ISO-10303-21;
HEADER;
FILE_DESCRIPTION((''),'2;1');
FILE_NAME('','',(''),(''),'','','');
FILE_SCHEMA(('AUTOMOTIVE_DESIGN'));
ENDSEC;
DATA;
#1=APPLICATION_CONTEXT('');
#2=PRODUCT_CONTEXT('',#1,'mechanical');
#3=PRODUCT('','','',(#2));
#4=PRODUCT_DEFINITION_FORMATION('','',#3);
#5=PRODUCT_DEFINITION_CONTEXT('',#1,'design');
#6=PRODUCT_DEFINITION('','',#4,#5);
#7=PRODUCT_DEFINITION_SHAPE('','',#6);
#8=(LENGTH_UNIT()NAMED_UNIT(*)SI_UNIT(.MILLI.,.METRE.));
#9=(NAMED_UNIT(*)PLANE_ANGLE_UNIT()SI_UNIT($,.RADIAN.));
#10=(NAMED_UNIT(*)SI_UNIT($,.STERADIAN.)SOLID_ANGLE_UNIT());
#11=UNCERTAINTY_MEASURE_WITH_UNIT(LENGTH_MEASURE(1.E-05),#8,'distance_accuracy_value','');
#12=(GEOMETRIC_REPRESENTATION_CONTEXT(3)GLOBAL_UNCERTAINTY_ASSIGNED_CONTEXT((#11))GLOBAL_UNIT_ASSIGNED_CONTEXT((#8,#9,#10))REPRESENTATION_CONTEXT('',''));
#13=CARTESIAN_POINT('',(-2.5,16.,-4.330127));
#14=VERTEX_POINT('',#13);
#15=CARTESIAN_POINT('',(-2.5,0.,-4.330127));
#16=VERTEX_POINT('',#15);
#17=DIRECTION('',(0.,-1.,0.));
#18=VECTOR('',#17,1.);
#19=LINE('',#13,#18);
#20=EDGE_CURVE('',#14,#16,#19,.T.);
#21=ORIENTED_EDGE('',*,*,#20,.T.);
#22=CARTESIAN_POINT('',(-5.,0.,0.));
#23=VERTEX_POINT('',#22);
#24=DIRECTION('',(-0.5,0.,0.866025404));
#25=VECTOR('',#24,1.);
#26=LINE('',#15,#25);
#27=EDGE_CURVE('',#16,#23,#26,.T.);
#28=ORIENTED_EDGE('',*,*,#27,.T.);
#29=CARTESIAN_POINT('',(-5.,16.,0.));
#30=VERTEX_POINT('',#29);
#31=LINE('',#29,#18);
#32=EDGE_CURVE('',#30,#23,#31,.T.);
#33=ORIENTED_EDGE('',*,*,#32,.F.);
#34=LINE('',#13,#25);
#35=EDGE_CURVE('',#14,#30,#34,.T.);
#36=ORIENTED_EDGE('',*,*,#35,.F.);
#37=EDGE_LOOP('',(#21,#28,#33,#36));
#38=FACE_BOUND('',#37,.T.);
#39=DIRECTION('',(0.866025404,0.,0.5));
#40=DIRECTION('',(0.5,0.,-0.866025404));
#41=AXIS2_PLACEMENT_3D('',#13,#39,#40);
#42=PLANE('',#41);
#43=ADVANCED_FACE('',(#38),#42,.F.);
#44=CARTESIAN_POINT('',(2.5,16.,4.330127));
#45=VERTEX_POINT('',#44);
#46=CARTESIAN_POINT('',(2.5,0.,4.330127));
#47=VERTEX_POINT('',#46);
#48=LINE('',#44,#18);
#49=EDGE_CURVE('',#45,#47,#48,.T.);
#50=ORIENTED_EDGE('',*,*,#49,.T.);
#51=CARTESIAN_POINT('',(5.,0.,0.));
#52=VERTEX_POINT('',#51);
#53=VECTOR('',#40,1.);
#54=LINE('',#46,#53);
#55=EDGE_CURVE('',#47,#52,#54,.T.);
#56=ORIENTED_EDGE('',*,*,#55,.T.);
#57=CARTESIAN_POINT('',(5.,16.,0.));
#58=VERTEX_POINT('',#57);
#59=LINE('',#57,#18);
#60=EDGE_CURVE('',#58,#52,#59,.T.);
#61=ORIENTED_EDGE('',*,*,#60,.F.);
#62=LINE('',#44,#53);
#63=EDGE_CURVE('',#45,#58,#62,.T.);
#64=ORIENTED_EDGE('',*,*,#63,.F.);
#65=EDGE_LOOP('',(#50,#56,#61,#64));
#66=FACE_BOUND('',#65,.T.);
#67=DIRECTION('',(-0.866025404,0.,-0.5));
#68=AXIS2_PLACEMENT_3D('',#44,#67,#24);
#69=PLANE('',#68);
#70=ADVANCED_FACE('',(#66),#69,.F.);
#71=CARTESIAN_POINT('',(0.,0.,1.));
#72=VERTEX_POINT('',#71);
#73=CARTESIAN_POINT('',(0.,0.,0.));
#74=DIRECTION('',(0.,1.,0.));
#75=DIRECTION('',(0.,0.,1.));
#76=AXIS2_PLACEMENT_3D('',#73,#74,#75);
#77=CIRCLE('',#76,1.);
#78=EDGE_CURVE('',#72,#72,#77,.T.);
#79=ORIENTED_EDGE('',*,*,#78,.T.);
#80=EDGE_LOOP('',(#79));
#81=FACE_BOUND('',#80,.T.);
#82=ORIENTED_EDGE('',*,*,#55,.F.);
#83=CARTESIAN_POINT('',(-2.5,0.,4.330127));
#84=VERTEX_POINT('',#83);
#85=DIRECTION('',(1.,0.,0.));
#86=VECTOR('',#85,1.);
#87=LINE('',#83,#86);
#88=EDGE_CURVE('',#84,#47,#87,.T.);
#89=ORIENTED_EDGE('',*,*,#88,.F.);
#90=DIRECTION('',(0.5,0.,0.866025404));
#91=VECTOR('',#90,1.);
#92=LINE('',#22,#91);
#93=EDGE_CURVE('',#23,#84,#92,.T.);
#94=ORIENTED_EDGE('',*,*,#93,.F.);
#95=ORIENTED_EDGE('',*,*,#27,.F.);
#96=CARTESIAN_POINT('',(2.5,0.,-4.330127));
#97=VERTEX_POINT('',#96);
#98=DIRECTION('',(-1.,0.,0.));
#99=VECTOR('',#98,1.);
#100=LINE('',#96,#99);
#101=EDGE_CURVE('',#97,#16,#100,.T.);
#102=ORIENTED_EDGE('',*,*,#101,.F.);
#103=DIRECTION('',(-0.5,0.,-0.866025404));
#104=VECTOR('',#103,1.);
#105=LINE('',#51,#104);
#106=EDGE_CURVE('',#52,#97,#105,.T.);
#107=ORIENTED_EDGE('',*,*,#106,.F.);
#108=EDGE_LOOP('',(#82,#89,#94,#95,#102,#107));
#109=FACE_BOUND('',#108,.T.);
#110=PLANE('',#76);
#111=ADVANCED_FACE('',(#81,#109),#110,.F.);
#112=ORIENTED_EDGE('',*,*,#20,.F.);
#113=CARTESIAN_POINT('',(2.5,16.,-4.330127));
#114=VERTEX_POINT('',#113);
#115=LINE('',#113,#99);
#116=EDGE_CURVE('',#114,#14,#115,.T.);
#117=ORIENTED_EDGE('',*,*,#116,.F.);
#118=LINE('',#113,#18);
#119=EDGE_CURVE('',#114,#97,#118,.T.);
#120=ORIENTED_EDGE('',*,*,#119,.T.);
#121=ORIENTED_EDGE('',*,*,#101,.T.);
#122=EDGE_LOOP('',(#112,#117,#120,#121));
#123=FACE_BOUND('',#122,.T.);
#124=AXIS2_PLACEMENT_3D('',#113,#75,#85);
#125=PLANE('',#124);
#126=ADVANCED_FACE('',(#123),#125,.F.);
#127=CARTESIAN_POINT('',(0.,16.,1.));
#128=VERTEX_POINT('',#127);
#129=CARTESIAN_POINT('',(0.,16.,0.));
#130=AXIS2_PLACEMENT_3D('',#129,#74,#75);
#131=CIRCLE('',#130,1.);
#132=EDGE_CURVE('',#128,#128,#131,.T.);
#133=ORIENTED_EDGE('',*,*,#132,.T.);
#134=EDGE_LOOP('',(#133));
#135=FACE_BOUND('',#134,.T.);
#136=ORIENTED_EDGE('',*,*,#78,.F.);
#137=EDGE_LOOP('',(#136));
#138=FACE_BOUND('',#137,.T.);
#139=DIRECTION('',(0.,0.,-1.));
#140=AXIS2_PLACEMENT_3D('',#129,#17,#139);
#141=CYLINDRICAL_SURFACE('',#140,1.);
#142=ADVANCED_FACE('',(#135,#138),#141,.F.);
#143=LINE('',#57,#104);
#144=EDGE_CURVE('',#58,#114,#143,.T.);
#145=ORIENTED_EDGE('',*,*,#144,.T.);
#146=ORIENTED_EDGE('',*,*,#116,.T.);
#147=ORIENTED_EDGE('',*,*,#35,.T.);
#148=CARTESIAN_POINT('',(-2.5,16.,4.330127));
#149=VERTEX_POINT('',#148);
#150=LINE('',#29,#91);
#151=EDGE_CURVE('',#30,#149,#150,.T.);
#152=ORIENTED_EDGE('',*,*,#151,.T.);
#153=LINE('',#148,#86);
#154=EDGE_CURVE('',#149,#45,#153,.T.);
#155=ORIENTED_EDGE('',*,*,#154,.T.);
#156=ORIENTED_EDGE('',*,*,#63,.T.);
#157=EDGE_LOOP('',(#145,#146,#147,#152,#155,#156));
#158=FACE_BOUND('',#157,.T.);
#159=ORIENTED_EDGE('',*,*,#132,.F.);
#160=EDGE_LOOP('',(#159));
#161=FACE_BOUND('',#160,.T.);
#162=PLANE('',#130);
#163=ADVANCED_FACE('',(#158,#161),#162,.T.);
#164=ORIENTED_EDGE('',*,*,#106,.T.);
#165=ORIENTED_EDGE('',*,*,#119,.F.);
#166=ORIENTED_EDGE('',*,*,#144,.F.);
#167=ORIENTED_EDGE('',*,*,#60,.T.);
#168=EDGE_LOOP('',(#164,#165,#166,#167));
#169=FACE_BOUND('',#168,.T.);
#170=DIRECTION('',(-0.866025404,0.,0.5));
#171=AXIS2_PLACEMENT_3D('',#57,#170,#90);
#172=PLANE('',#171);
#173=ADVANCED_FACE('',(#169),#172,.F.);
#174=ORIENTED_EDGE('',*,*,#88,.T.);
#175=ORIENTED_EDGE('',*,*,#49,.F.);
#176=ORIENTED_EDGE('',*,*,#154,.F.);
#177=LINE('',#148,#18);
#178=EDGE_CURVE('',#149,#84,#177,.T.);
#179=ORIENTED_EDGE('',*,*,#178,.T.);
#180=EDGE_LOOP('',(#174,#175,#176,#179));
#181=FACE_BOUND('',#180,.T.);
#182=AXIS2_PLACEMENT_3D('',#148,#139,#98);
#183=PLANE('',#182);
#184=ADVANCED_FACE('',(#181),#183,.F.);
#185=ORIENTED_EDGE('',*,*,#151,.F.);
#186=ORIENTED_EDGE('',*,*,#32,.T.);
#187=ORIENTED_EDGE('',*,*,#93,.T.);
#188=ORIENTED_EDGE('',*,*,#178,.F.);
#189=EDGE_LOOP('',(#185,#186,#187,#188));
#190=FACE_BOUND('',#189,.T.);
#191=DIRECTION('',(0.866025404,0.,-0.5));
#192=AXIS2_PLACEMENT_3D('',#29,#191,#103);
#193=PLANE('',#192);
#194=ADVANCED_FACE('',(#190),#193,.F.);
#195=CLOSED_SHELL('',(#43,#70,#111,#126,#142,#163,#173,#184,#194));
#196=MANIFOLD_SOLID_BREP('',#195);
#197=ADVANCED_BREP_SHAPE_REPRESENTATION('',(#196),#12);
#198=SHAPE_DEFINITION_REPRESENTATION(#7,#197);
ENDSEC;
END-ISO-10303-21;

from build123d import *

# Parameters (mm, degrees)
SKETCH1_R           = 1
BOSS_EXTRUDE2_DEPTH = 16


with BuildPart() as part:
    # Sketch1 → Boss-Extrude2 (new body)
    with BuildSketch(Plane(origin=(0, 0, 0), x_dir=(1, 0, 0), z_dir=(0, 1, 0))):
        Polygon((5, 0), (2.5, 4.330127019), (-2.5, 4.330127019), (-5, 0), (-2.5, -4.330127019), (2.5, -4.330127019), align=None)
        with Locations(Location((0, 0, 0), (0, 0, 270))):
            Circle(SKETCH1_R, mode=Mode.SUBTRACT)
    extrude(amount=BOSS_EXTRUDE2_DEPTH)


solid = part.part
